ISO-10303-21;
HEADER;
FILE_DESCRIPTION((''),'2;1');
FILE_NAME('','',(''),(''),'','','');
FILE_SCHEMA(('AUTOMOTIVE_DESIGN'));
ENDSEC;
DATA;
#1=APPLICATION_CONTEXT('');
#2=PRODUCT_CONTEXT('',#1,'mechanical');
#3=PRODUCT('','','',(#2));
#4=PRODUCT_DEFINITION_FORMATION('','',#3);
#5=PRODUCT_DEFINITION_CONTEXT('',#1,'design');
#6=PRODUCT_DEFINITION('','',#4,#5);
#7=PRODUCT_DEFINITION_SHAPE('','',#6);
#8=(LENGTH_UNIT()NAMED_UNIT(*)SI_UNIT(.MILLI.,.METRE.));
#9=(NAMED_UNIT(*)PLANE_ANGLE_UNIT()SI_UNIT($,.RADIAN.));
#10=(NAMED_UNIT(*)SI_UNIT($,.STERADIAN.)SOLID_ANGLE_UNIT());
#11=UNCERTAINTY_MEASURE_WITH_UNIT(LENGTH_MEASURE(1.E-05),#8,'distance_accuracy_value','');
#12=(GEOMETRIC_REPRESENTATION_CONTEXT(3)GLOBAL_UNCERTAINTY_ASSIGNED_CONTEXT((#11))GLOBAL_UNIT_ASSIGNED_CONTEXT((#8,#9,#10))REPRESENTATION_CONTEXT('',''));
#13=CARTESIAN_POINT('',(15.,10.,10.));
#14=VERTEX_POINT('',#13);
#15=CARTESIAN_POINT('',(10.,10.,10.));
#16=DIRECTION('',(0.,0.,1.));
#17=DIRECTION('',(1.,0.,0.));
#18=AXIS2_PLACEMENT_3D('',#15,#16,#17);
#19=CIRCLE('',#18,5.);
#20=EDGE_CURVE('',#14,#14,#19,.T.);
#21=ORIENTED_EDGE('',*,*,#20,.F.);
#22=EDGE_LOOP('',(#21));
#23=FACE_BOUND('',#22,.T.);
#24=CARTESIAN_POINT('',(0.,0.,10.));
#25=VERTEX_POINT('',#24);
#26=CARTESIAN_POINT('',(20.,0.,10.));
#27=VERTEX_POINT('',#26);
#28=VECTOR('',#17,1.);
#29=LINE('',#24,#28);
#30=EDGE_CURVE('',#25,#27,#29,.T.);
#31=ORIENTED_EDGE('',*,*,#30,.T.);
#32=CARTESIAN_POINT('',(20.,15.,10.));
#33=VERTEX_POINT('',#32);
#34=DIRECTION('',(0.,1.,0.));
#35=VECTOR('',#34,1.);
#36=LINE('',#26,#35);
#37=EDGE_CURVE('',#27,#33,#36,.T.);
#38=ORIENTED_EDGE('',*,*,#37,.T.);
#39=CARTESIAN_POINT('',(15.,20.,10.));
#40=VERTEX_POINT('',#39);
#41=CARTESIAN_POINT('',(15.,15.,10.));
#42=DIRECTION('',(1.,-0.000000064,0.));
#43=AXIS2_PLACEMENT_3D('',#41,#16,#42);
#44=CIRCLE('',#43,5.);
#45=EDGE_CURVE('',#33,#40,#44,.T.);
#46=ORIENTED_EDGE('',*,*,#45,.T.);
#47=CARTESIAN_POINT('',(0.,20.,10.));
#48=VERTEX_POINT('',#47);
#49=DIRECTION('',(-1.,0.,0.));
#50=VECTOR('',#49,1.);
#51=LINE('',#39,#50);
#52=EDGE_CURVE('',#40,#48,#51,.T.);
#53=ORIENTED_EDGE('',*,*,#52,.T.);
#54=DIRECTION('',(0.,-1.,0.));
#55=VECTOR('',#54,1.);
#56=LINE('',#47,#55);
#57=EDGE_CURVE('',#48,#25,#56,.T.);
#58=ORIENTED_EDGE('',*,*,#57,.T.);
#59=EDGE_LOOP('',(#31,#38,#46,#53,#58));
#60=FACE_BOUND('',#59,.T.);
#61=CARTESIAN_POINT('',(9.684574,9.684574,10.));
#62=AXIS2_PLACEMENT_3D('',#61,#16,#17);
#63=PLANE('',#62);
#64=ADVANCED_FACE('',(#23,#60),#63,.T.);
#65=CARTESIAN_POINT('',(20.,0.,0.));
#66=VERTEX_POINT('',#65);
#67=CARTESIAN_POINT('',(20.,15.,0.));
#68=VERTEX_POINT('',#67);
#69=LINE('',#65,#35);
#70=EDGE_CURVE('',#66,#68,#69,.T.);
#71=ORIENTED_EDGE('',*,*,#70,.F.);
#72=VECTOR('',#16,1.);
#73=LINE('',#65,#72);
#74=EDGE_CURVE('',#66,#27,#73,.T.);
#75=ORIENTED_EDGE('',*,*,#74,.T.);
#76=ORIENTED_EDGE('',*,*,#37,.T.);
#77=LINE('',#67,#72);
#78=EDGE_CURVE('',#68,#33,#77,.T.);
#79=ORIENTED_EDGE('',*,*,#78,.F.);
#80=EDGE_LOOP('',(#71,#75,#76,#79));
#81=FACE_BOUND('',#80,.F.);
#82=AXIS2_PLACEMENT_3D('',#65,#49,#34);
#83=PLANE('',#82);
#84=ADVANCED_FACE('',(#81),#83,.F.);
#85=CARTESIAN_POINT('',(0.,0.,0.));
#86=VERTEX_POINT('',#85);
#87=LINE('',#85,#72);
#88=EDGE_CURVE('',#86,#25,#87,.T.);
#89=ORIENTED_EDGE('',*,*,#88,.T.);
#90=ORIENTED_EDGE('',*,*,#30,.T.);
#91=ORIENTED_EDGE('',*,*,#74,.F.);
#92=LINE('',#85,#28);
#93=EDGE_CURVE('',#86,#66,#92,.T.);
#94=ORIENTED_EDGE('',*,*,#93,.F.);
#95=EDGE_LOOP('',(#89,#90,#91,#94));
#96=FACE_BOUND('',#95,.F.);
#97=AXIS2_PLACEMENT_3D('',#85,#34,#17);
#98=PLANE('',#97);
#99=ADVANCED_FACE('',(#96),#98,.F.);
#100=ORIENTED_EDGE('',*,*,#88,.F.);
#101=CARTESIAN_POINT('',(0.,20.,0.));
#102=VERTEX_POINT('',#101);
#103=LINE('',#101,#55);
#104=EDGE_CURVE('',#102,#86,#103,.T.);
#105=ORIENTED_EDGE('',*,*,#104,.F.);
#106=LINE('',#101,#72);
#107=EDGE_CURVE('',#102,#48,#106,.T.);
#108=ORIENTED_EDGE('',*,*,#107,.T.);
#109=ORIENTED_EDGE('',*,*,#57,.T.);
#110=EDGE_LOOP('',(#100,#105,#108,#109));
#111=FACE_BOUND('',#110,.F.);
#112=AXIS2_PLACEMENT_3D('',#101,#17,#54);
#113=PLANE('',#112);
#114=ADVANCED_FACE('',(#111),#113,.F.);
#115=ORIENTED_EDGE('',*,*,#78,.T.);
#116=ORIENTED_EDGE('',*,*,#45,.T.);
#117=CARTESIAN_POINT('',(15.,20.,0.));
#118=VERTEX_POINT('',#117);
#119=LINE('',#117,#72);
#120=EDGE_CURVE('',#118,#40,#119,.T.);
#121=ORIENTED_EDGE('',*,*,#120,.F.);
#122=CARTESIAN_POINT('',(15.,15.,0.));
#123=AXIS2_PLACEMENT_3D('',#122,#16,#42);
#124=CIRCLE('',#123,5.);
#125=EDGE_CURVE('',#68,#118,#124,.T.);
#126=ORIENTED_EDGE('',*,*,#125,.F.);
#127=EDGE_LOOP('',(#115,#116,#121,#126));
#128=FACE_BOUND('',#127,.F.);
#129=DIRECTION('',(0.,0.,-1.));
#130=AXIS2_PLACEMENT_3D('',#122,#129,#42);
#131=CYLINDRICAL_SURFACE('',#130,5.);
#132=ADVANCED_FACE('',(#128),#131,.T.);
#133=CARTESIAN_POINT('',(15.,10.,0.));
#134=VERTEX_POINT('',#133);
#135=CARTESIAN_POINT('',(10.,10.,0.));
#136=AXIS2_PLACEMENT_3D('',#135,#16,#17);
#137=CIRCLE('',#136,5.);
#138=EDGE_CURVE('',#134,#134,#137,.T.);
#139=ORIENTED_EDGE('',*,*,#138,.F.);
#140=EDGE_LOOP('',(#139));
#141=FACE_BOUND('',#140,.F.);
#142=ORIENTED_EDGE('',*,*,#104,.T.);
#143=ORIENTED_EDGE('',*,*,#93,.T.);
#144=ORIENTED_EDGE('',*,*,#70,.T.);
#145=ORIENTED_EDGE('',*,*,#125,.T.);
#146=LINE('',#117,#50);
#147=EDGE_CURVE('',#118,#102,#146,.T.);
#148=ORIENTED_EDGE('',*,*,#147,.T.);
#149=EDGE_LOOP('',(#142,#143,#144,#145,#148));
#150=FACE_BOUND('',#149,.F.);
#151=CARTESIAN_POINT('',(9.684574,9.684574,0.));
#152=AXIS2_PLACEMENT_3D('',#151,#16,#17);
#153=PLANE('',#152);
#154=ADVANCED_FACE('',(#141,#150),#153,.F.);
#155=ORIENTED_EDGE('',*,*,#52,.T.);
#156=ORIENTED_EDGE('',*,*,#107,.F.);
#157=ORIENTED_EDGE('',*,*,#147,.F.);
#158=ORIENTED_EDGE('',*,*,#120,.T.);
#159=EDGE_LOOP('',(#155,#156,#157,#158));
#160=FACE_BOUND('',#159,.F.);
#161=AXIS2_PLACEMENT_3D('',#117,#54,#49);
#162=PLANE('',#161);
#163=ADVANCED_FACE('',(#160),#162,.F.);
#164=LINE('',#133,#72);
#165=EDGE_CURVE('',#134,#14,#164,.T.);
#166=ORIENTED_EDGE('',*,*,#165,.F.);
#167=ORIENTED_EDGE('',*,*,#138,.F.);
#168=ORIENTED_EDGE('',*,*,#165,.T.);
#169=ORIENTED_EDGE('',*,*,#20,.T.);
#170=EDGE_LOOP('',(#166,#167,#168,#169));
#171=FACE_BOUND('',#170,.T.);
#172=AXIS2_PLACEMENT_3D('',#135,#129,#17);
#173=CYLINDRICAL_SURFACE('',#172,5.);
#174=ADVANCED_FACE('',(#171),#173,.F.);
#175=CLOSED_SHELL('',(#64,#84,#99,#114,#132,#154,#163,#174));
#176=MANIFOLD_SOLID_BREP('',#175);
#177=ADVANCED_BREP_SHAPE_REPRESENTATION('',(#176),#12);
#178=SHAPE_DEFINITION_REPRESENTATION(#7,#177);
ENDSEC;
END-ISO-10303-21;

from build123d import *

# Parameters (mm, degrees)
F0_R     = 5
F1_DEPTH = 10


with BuildPart() as f1:
    # F0 (on Top) → F1 (new body)
    with BuildSketch(Plane.XY):
        with BuildLine():
            Line((0, 20), (0, 0))
            Line((0, 0), (20, 0))
            Line((20, 0), (20, 15))
            ThreePointArc((20, 15), (18.535534, 18.535534), (15, 20))
            Line((15, 20), (0, 20))
        make_face()
        with Locations((10, 10)):
            Circle(F0_R, mode=Mode.SUBTRACT)
    extrude(amount=F1_DEPTH)


solid = f1.part
